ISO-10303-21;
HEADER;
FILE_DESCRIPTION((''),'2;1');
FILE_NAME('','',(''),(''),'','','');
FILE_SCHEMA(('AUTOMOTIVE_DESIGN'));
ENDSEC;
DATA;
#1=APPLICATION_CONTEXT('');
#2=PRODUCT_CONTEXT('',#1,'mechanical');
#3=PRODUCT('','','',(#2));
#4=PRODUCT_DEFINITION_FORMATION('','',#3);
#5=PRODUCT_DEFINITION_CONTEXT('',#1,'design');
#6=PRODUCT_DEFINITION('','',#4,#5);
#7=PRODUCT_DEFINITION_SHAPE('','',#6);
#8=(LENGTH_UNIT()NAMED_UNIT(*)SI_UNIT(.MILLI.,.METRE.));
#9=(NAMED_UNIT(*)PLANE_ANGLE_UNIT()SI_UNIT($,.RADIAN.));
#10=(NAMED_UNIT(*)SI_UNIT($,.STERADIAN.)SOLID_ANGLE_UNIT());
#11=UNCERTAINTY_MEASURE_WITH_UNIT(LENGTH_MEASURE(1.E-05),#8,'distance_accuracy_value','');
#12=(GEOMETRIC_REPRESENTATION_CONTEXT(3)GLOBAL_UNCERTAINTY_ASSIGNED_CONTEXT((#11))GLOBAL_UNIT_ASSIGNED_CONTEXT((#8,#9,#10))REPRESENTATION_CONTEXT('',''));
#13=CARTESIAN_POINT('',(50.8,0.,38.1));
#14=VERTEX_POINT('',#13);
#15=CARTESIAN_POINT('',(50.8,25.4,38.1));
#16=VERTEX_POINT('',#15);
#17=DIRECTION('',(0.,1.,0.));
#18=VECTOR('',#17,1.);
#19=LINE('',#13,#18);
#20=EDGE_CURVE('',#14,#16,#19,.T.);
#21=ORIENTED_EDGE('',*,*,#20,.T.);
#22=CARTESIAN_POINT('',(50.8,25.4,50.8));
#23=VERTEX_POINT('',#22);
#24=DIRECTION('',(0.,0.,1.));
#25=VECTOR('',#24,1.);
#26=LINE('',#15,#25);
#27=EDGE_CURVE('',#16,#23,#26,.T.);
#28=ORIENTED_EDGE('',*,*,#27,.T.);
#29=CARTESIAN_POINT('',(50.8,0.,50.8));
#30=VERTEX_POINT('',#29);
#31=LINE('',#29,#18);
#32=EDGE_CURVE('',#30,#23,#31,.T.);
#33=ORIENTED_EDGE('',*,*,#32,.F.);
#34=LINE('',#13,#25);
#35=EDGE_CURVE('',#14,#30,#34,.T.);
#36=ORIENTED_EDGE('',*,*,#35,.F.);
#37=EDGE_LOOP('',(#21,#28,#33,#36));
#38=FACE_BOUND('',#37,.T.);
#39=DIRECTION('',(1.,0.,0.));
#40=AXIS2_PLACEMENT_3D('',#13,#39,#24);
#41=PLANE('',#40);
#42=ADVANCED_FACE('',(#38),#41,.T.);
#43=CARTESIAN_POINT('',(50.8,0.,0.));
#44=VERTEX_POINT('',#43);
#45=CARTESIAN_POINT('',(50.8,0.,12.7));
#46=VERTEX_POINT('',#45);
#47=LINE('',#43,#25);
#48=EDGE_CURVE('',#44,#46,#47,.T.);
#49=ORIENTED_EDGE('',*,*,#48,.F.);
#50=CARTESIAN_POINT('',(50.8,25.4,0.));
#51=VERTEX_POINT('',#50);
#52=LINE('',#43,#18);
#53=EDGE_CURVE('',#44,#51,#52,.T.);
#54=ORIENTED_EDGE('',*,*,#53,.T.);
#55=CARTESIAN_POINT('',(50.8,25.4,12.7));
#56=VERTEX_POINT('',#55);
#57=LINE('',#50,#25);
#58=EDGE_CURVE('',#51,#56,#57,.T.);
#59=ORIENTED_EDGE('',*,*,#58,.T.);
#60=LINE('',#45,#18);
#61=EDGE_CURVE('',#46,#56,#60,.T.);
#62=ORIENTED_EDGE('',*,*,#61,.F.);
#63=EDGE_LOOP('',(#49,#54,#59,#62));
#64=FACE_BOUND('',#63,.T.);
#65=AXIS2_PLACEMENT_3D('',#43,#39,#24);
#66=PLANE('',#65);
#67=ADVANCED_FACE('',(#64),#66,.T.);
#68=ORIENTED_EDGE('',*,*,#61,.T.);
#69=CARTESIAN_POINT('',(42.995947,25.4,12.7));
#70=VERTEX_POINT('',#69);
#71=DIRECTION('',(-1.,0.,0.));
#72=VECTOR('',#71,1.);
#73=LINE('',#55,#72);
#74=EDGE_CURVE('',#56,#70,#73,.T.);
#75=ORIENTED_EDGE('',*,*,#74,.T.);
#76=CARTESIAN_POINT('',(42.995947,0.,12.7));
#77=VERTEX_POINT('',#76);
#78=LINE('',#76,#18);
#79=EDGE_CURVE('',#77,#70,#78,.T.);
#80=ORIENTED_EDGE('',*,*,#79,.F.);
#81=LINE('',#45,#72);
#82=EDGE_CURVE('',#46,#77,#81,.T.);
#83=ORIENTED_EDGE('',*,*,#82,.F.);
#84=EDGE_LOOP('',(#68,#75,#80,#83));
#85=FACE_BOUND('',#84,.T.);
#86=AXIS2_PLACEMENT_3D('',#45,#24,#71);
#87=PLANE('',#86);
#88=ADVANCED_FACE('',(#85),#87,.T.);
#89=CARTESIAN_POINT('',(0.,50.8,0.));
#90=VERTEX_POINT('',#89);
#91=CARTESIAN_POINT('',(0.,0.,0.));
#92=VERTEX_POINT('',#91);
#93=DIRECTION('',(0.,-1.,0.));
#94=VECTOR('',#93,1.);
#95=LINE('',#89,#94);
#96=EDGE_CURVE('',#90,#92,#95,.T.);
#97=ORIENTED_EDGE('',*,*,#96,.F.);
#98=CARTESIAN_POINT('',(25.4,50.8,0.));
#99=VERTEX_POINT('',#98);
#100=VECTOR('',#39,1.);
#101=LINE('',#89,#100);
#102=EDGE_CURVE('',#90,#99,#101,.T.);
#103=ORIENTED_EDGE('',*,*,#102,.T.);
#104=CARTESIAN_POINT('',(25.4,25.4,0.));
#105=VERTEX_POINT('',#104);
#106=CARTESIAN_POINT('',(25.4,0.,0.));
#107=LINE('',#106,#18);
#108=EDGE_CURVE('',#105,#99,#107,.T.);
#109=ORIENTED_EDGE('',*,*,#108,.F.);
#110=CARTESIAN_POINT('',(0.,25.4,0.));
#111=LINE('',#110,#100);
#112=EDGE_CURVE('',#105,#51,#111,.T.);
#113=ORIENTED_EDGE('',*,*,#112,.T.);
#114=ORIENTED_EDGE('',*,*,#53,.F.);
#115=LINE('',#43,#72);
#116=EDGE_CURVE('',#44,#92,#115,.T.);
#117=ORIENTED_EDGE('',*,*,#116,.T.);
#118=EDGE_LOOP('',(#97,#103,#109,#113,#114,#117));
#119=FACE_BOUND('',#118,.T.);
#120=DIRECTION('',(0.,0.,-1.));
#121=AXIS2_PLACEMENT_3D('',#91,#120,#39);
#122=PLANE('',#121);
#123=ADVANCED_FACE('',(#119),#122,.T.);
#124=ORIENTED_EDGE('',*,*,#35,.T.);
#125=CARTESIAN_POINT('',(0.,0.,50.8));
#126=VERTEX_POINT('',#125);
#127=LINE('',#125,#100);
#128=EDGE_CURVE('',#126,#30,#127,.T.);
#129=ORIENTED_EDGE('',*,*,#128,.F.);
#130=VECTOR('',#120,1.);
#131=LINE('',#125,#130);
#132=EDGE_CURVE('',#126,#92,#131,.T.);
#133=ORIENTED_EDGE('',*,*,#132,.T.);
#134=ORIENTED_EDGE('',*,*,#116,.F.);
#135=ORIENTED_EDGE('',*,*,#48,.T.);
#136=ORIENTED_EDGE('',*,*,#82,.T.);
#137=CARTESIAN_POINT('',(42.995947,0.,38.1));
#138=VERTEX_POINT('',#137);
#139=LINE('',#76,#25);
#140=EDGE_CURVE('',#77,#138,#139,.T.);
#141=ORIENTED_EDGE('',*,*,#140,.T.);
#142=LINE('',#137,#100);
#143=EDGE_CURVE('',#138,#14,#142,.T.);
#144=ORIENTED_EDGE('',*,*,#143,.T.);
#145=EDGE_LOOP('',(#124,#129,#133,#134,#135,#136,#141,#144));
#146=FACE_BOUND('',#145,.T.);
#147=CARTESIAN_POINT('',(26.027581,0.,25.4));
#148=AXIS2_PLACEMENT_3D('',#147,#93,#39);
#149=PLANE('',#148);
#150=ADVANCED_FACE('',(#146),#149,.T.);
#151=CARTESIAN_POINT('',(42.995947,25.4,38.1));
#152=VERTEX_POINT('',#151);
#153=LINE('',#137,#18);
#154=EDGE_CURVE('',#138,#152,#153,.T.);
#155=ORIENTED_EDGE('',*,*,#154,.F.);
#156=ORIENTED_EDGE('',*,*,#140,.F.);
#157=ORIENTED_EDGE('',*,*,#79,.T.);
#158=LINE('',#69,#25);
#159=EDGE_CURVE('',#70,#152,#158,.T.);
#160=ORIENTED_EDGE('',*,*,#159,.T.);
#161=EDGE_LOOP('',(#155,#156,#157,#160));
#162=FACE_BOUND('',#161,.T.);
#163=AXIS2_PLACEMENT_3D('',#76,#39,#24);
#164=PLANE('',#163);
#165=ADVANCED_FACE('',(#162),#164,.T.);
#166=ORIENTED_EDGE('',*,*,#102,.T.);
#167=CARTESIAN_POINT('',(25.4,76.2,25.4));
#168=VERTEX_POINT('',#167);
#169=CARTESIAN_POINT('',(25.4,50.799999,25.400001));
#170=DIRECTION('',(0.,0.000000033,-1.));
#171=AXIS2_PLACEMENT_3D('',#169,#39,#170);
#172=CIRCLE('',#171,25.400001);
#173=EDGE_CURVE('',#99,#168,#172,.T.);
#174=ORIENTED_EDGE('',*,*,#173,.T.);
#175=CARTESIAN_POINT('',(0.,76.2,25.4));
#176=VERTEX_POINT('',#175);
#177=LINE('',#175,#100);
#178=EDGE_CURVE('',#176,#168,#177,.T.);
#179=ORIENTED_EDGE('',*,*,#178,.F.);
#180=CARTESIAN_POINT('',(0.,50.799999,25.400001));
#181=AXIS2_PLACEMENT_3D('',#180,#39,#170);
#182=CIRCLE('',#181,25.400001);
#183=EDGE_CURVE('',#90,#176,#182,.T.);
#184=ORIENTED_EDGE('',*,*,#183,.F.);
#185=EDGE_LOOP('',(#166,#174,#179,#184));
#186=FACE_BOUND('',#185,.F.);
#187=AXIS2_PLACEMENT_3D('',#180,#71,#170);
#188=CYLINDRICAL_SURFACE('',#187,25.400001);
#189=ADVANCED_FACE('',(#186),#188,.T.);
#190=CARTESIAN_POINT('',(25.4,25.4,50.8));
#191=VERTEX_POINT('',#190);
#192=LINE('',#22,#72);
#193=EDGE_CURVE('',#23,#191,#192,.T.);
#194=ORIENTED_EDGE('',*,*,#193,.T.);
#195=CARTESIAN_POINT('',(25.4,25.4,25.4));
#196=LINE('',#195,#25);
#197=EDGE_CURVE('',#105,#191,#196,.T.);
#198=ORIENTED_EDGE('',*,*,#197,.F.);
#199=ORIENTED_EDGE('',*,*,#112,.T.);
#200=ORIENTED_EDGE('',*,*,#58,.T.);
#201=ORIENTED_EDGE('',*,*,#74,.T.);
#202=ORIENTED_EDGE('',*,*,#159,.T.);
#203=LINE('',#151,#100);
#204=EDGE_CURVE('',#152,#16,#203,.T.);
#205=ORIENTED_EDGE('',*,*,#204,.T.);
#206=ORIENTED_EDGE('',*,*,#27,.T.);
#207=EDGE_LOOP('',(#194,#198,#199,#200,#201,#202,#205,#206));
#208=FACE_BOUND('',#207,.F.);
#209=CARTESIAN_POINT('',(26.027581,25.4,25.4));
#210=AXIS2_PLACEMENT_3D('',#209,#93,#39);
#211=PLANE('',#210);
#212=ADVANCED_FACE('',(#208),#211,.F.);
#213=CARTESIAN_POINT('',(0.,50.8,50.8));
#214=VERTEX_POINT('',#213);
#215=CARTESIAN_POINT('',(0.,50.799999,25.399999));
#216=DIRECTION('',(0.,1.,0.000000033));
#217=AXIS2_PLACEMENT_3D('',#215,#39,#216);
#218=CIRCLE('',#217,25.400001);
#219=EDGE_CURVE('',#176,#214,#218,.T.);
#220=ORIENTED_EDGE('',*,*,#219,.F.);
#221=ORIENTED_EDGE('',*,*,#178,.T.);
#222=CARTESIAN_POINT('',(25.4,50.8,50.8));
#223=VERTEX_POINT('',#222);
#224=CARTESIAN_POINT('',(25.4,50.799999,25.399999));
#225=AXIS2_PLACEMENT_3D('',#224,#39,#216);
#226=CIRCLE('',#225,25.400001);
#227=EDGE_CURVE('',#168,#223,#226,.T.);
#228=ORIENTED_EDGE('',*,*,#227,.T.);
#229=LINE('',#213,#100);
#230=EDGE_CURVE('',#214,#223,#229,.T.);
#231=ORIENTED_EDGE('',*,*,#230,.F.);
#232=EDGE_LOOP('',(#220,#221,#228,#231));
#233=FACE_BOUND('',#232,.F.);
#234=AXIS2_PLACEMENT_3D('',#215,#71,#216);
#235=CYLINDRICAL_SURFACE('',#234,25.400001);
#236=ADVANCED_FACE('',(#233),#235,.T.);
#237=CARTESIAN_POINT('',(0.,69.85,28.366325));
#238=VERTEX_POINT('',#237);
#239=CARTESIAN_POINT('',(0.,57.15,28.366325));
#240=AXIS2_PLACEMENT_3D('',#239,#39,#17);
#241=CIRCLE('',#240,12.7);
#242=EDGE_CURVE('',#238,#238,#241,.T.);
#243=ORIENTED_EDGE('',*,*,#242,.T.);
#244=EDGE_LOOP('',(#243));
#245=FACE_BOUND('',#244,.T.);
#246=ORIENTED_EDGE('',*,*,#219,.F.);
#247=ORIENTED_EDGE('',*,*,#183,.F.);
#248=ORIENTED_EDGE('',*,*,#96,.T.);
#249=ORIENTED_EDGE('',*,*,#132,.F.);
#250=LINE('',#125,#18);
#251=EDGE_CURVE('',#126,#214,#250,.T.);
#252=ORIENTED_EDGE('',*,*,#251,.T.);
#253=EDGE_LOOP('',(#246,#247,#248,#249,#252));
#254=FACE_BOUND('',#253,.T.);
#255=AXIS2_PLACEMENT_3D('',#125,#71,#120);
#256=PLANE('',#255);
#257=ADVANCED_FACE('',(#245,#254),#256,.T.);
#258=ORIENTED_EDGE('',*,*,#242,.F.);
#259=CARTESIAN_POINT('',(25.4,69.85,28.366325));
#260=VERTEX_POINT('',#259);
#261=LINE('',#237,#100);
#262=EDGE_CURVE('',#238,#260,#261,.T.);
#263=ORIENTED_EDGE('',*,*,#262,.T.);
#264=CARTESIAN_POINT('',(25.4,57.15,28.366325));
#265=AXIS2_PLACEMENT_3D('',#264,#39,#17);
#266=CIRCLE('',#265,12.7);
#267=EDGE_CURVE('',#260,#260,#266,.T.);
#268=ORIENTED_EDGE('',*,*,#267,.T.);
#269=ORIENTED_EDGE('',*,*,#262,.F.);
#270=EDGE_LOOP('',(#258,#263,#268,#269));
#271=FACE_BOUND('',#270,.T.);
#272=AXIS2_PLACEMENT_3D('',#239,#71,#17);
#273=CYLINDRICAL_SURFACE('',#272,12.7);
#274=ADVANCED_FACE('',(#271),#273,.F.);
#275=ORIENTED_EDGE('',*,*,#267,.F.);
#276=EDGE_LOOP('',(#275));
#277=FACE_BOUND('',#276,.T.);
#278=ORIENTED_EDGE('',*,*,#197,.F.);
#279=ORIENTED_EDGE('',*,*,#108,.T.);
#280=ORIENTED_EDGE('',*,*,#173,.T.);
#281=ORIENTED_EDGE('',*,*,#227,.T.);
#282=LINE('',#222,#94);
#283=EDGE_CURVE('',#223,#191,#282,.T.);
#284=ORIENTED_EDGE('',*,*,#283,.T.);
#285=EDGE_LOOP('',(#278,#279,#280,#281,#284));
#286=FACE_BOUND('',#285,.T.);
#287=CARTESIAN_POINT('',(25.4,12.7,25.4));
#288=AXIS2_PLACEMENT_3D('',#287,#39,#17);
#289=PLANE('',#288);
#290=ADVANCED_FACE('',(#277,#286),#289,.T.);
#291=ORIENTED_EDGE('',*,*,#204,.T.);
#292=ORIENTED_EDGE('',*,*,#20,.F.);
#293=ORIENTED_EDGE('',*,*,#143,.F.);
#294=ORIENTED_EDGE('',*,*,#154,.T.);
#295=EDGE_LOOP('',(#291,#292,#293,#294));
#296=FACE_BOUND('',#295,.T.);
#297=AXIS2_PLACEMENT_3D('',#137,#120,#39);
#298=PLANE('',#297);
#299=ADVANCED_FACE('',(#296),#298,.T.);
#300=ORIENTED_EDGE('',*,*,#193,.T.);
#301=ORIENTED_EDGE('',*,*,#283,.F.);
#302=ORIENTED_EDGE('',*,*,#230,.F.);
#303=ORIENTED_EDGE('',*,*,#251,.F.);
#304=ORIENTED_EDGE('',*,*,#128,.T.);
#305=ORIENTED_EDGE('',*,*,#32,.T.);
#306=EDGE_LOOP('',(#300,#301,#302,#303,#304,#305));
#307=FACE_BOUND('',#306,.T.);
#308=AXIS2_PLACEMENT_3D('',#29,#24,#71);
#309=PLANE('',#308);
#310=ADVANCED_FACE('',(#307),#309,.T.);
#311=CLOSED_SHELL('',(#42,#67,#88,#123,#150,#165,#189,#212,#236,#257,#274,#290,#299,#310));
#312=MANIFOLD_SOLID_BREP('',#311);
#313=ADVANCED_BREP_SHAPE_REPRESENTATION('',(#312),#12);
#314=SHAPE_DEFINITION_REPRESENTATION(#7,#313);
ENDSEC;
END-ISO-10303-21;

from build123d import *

# Parameters (mm, degrees)
F2_DEPTH = 25.4
F1_W     = 25.4
F1_H     = 50.8
F1_R     = 12.7
F3_DEPTH = 25.4


with BuildPart() as f2:
    # F0 (on Front) → F2 (new body)
    with BuildSketch(Plane.XZ):
        Polygon((0, 50.8), (0, 0), (50.8, 0), (50.8, 12.7), (42.995947, 12.7), (42.995947, 38.1), (50.8, 38.1), (50.8, 50.8), align=None)
    extrude(amount=-F2_DEPTH)

    # F1 (on Right) → F3 (join)
    with BuildSketch(Plane.YZ):
        with Locations((12.7, 25.4)):
            Rectangle(F1_W, F1_H)
        with BuildLine():
            Line((25.4, 50.8), (25.4, 0))
            Line((25.4, 0), (50.8, 0))
            ThreePointArc((50.8, 0), (68.760512, 7.439488), (76.2, 25.4))
            ThreePointArc((76.2, 25.4), (68.760512, 43.360512), (50.8, 50.8))
            Line((50.8, 50.8), (25.4, 50.8))
        make_face()
        with Locations((57.15, 28.366325)):
            Circle(F1_R, mode=Mode.SUBTRACT)
    extrude(amount=F3_DEPTH)


solid = f2.part
